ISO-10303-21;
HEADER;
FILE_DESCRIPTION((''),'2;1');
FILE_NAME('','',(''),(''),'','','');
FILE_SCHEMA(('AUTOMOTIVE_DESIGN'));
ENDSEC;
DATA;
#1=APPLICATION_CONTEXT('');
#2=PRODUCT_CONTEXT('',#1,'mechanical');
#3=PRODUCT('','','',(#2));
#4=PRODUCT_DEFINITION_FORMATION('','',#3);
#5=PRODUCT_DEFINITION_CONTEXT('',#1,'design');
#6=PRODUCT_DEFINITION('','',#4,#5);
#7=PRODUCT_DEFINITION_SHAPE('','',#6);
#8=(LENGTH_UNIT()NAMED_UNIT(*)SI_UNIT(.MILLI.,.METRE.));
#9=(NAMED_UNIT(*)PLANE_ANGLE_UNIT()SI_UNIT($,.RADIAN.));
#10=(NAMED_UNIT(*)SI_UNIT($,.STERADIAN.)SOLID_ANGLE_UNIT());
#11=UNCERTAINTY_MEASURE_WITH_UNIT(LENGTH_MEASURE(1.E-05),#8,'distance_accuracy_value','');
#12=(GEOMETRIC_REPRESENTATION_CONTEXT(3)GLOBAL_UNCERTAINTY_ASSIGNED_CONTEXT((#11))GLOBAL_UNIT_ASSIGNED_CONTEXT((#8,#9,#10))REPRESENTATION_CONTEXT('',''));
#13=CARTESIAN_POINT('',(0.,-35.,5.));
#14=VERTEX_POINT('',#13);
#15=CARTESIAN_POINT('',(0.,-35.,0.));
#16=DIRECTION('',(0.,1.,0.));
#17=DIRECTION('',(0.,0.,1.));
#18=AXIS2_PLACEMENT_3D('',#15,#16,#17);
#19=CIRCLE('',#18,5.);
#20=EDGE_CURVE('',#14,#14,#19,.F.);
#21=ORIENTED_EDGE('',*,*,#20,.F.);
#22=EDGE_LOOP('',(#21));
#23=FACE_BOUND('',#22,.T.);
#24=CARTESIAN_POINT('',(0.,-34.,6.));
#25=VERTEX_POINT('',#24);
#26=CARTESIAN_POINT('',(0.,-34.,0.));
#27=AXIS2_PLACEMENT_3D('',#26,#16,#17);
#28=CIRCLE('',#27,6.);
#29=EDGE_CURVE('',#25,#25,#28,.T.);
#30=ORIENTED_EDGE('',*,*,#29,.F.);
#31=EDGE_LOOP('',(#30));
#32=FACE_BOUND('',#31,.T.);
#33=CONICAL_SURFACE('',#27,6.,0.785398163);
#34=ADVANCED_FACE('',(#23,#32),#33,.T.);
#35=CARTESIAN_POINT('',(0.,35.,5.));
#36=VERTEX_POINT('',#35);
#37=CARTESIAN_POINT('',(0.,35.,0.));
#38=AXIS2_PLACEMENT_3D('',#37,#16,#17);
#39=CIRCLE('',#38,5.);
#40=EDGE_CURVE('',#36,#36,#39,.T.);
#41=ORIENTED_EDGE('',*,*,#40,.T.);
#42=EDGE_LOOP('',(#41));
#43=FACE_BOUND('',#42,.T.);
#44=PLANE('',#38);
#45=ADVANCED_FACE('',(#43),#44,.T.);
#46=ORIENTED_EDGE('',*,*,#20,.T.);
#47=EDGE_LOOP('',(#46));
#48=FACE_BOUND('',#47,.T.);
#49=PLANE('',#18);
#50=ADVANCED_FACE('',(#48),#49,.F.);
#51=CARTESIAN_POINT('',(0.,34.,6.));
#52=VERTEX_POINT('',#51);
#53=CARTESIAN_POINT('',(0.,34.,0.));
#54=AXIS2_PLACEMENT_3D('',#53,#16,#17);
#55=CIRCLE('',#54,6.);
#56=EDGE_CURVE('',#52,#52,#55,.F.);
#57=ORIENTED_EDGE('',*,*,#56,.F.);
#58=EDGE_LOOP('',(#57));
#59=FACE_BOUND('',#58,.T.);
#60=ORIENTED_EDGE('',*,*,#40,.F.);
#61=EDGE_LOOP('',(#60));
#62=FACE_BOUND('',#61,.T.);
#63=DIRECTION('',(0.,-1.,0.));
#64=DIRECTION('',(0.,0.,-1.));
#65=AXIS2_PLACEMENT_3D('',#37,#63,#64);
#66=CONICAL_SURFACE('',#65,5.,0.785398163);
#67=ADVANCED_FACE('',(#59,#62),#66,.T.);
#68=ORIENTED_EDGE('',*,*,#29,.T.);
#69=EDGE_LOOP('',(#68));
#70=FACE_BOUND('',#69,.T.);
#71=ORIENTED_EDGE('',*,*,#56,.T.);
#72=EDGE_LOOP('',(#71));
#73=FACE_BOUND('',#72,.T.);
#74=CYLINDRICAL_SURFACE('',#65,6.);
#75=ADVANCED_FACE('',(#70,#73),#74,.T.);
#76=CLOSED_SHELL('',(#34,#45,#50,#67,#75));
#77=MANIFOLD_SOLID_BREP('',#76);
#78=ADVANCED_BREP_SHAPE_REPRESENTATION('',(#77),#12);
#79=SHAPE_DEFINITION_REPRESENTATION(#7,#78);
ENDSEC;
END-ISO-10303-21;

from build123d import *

# Parameters (mm, degrees)
SKETCH1_R           = 6
BOSS_EXTRUDE1_DEPTH = 35
CHAMFER1_SIZE       = 1


with BuildPart() as part:
    # Sketch1 → Boss-Extrude1 (new body, symmetric)
    with BuildSketch(Plane(origin=(0, 0, 0), x_dir=(1, 0, 0), z_dir=(0, 1, 0))):
        Circle(SKETCH1_R)
    extrude(amount=BOSS_EXTRUDE1_DEPTH, both=True)

    # Chamfer1
    chamfer1_edges = [part.edges().sort_by_distance(p)[0] for p in [
        (-6, -35, 0),
        (-6, 35, 0),
    ]]
    chamfer(chamfer1_edges, length=CHAMFER1_SIZE)


solid = part.part
